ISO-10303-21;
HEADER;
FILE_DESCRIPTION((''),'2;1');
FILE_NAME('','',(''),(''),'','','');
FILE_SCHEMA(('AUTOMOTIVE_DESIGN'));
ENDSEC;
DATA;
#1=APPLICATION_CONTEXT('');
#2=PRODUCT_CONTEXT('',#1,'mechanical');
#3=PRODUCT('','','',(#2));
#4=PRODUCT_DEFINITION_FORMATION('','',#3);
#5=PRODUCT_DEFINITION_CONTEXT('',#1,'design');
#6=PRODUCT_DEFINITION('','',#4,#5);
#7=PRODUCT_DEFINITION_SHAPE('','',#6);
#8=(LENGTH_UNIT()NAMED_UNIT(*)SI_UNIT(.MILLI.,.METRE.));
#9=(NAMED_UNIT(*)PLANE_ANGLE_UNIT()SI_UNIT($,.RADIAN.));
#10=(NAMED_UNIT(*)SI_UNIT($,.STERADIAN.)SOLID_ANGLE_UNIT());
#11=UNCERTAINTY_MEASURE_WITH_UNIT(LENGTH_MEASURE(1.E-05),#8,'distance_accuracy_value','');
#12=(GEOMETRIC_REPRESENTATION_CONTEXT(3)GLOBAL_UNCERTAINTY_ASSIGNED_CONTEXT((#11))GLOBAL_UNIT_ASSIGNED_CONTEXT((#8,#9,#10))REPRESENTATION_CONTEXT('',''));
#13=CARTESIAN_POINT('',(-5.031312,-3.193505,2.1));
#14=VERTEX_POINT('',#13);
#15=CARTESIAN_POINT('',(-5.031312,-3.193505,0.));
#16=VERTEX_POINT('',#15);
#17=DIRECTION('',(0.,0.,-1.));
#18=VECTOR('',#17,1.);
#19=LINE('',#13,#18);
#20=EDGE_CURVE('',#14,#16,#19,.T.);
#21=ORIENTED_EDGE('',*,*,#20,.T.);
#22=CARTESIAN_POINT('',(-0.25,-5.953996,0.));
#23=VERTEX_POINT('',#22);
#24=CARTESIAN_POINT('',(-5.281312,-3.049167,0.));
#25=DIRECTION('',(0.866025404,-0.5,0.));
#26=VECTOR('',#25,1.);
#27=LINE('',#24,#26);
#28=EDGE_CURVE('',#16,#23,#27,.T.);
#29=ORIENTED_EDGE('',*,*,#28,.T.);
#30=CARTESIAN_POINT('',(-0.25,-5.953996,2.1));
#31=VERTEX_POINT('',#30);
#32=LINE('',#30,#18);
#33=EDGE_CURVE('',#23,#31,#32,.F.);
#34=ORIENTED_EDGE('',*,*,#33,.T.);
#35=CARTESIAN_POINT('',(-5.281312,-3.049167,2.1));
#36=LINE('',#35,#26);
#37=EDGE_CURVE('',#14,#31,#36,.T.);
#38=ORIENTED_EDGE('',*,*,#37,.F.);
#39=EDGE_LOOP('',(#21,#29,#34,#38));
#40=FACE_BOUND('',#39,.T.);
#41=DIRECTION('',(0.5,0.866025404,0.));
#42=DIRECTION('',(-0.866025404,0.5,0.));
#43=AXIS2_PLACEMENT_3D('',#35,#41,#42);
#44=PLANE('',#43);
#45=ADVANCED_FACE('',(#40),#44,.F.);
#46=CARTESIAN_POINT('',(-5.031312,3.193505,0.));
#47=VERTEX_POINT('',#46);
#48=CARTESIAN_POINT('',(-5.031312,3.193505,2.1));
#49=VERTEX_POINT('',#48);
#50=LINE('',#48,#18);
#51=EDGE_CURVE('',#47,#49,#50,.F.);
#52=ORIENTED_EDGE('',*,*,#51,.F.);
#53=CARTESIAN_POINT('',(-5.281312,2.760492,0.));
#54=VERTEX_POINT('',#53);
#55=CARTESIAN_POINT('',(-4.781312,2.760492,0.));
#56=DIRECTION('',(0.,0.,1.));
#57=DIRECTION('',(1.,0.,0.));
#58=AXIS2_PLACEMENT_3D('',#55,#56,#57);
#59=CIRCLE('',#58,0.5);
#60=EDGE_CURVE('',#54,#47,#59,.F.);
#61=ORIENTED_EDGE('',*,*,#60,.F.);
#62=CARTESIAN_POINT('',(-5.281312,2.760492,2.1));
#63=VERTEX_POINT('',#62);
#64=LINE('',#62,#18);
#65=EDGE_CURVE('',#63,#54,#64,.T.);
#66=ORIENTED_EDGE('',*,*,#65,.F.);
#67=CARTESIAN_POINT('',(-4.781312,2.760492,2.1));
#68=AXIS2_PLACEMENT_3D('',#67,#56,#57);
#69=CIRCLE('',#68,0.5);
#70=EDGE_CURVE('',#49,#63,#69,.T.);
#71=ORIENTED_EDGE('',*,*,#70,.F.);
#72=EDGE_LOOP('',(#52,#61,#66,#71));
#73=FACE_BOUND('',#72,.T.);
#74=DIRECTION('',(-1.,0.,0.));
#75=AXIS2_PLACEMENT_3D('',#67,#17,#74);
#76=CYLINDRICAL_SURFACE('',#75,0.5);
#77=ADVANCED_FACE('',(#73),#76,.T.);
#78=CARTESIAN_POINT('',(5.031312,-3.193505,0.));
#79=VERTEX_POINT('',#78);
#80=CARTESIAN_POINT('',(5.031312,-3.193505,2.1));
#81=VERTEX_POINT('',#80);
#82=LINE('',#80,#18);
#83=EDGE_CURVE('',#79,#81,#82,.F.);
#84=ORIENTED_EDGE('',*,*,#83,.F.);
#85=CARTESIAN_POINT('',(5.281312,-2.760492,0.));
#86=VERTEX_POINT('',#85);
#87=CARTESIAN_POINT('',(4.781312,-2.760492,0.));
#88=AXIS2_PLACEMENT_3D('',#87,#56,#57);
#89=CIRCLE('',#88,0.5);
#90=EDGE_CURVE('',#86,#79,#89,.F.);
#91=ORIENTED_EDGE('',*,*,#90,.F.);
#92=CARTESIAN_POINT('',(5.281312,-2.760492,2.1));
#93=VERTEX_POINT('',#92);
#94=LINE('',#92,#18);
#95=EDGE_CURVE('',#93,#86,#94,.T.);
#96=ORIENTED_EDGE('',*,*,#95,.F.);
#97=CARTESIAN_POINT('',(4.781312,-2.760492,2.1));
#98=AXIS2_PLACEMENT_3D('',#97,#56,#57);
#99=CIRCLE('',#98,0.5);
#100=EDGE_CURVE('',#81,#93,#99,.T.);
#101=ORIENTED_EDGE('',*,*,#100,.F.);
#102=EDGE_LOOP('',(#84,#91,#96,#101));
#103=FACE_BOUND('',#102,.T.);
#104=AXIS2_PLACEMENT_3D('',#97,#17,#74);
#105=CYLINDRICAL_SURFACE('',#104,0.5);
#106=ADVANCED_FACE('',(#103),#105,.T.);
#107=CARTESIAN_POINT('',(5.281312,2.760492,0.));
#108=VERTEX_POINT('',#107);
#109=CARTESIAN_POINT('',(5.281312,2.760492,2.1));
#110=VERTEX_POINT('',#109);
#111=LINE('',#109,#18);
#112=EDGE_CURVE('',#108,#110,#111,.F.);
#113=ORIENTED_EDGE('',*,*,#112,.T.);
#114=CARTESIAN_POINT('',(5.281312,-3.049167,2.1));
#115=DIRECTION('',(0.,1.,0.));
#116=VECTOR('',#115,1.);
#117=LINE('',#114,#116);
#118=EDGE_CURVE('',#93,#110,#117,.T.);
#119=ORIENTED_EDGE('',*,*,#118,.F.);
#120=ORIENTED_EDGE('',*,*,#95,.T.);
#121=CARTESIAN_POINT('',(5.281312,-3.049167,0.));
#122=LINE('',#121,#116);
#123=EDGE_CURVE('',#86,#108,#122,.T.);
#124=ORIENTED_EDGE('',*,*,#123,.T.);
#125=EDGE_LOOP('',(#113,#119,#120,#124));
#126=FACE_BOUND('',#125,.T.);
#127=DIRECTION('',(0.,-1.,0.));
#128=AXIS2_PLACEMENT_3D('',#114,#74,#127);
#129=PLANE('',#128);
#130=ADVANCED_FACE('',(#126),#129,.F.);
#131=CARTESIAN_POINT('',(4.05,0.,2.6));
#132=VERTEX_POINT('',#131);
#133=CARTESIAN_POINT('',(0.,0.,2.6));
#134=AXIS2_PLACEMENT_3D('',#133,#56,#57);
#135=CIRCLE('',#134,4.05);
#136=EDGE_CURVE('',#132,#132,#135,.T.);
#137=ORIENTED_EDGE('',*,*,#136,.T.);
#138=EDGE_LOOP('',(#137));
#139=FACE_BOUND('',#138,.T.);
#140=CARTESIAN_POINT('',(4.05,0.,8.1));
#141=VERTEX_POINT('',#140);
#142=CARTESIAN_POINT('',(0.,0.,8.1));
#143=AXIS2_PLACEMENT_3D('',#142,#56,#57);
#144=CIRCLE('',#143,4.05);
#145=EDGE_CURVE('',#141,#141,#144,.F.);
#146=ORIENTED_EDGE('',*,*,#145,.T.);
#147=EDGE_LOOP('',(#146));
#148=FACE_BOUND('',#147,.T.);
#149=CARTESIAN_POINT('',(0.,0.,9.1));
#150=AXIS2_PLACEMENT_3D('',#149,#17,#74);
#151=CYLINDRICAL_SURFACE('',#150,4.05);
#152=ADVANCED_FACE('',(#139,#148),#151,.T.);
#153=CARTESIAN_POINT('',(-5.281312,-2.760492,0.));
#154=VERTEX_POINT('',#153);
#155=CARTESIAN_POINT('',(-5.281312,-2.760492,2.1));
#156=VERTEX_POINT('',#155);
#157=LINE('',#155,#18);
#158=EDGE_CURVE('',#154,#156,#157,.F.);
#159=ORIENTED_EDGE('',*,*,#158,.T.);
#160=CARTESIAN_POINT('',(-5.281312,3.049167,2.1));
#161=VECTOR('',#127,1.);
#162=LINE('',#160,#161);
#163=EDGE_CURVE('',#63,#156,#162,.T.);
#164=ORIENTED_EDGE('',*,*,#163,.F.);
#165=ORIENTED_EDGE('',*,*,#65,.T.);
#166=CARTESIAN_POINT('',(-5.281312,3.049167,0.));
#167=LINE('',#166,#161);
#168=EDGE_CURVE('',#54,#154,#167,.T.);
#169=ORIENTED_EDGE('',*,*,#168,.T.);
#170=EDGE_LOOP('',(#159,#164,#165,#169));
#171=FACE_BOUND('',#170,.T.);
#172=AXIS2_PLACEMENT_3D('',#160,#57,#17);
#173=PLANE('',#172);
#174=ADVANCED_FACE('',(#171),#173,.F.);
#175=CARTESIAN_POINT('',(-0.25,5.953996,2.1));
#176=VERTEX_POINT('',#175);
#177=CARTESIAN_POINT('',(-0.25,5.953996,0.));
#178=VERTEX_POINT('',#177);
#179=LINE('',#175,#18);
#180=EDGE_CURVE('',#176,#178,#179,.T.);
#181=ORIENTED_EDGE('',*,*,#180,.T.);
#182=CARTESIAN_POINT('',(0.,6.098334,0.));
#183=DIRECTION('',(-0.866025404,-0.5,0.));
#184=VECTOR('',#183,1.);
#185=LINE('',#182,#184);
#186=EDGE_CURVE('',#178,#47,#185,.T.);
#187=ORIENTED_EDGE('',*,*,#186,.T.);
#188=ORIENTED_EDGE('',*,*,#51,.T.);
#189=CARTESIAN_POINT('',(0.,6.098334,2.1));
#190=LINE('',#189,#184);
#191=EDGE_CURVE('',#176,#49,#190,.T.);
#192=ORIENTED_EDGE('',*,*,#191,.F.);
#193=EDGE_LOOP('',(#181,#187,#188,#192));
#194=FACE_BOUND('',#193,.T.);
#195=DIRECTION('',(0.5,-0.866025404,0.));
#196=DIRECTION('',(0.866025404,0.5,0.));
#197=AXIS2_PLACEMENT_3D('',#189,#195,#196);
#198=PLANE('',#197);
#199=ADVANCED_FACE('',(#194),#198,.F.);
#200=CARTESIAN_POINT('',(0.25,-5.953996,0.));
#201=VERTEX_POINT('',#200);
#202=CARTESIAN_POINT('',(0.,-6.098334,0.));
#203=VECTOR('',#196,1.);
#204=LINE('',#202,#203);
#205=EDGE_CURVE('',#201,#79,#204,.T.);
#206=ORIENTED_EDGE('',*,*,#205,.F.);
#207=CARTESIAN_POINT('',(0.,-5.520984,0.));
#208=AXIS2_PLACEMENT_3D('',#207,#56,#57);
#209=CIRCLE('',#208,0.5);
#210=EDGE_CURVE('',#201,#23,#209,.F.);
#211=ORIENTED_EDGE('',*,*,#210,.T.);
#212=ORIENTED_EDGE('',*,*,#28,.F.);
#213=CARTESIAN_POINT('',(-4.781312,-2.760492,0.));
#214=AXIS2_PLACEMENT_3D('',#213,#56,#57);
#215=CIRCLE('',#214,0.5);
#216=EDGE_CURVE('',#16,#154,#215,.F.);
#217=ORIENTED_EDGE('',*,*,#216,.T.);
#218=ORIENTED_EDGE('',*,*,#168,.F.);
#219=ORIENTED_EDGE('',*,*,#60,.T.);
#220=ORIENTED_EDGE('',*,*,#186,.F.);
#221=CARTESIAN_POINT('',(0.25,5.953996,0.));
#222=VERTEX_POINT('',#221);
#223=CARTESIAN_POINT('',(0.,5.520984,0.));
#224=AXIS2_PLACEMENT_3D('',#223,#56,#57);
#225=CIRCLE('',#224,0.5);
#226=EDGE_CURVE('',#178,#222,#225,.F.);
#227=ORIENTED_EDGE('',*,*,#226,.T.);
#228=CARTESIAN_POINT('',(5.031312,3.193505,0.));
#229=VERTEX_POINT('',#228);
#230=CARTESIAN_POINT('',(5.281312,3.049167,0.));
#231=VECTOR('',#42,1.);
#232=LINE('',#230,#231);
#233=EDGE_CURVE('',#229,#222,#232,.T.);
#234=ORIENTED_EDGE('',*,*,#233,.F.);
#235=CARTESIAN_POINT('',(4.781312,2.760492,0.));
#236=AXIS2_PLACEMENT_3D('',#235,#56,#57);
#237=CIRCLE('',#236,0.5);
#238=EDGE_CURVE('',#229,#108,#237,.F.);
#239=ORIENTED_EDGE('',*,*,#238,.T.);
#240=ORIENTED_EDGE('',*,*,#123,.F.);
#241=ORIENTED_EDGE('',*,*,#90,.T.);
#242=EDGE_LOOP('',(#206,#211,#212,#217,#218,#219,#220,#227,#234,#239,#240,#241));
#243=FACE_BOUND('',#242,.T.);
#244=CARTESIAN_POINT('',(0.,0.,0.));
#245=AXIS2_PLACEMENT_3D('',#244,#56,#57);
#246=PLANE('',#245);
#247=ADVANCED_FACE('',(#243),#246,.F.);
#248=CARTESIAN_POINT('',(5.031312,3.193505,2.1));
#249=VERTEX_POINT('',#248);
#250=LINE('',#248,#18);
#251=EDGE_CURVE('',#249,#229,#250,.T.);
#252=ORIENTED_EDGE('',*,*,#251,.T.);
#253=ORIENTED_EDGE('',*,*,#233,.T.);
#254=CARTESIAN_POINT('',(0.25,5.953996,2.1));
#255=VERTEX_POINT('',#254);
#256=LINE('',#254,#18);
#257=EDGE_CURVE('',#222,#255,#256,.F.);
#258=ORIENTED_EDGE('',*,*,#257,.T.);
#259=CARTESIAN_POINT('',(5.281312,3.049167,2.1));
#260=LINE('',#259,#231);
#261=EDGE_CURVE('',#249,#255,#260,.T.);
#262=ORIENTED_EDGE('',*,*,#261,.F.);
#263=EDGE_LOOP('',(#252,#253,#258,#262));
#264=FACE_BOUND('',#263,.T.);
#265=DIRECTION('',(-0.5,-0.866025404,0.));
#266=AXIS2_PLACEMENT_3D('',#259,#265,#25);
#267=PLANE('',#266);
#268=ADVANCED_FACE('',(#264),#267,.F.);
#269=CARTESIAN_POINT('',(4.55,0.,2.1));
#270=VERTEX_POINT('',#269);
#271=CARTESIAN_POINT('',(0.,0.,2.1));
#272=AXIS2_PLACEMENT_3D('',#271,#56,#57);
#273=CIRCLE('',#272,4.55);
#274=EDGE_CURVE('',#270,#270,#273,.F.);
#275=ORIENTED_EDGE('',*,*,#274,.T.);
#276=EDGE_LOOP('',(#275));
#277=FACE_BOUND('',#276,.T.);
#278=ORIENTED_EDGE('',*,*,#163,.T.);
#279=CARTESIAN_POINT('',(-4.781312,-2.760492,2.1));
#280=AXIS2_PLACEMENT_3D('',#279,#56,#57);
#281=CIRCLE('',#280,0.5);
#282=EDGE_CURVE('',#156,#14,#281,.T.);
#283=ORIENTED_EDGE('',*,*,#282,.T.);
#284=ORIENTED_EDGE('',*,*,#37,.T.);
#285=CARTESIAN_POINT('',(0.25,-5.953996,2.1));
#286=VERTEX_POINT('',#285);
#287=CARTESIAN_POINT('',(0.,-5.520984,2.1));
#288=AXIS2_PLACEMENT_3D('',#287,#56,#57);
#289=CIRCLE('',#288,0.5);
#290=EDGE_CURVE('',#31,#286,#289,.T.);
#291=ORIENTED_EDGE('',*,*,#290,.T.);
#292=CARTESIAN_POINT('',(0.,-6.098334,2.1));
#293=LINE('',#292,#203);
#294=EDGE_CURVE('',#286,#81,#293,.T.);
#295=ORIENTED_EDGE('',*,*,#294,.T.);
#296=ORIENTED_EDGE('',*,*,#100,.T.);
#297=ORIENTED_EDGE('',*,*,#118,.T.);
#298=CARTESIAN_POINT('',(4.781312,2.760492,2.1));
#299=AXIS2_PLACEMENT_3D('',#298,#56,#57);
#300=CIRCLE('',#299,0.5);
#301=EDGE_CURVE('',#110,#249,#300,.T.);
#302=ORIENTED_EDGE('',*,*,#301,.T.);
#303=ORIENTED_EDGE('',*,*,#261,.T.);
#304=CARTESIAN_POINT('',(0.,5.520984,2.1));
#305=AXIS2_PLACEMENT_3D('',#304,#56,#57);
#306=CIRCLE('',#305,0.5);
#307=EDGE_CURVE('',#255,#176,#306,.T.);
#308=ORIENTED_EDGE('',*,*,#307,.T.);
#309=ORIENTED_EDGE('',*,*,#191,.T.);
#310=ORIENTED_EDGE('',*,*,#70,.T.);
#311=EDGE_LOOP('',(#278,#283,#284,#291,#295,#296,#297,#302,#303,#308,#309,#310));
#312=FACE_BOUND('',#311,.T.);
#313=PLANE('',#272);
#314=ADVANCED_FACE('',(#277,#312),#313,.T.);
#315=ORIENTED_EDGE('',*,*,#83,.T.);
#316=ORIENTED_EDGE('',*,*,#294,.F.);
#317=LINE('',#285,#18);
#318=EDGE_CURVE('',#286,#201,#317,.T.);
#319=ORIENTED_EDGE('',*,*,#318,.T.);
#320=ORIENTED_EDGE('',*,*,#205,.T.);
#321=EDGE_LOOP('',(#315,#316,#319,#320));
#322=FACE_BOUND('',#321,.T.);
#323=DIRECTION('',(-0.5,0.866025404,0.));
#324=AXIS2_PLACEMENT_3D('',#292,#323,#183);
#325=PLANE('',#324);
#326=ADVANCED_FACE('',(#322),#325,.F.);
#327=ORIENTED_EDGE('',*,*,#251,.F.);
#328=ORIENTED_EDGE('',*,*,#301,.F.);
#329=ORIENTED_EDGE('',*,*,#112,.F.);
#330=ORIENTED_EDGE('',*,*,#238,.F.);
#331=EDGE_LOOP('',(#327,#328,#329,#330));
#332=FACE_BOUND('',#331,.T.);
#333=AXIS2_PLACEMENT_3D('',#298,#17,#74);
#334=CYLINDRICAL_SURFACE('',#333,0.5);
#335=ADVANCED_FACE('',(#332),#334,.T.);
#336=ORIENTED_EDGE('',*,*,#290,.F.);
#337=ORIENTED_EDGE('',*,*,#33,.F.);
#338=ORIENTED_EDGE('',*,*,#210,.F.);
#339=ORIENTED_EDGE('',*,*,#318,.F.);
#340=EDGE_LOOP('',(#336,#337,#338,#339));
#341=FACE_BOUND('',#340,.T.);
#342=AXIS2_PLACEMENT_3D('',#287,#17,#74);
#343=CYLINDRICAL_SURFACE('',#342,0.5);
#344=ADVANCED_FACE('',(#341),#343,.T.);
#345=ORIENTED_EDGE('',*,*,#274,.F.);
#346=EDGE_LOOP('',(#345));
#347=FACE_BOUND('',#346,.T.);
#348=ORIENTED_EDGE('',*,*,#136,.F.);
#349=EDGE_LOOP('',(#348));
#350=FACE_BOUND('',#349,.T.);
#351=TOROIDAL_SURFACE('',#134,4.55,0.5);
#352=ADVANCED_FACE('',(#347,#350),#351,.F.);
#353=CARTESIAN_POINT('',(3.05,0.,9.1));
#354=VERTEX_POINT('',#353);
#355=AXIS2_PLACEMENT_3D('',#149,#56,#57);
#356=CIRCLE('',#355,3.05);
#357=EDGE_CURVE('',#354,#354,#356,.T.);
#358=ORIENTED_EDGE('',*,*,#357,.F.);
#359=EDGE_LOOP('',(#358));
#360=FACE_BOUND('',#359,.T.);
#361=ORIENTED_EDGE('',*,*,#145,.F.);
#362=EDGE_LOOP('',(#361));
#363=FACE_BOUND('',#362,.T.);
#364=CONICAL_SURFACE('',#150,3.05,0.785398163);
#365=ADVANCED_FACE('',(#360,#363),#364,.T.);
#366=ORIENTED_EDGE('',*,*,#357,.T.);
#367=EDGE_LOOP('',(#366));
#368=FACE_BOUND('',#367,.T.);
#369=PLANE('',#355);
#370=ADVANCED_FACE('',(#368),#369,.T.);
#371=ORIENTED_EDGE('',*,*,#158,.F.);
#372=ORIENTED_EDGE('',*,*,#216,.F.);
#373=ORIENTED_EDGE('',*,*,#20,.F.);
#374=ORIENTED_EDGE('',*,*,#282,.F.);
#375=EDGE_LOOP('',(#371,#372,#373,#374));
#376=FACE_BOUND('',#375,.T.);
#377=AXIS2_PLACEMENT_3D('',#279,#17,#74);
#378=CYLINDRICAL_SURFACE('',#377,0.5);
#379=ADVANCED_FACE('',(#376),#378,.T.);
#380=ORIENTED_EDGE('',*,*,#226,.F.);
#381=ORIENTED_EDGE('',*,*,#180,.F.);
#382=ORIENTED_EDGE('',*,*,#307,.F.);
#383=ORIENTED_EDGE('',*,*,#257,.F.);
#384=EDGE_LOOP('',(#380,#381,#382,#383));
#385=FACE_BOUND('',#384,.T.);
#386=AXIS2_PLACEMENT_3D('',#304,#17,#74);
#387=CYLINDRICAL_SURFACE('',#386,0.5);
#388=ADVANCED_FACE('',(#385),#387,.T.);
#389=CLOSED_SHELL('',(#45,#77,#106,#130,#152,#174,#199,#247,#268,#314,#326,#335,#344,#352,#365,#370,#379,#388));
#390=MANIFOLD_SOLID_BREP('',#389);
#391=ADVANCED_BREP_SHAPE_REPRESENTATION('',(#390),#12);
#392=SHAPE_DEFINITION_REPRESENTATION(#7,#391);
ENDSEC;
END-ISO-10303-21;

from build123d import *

# Parameters (mm, degrees)
BOSS_EXTRUDE1_DEPTH = 2.1
SKETCH2_R           = 4.05
BOSS_EXTRUDE2_DEPTH = 7
FILLET1_R           = 0.5
CHAMFER1_SIZE       = 1


with BuildPart() as part:
    # Sketch1 → Boss-Extrude1 (new body)
    with BuildSketch(Plane.XY):
        Polygon((5.281312122, 3.049166975), (0, 6.09833395), (-5.281312122, 3.049166975), (-5.281312122, -3.049166975), (0, -6.09833395), (5.281312122, -3.049166975), align=None)
    extrude(amount=BOSS_EXTRUDE1_DEPTH)

    # Sketch2 → Boss-Extrude2 (add)
    with BuildSketch(Plane.XY.offset(2.1)):
        Circle(SKETCH2_R)
    extrude(amount=BOSS_EXTRUDE2_DEPTH)

    # Fillet1
    fillet1_edges = [part.edges().sort_by_distance(p)[0] for p in [
        (5.281312122, -3.049166975, 1.05),
        (0, -6.09833395, 1.05),
        (-5.281312122, -3.049166975, 1.05),
        (-5.281312122, 3.049166975, 1.05),
        (0, 6.09833395, 1.05),
        (5.281312122, 3.049166975, 1.05),
        (-4.05, 0, 2.1),
    ]]
    fillet(fillet1_edges, radius=FILLET1_R)

    # Chamfer1
    chamfer1_edges = [part.edges().sort_by_distance(p)[0] for p in [
        (-4.05, 0, 9.1),
    ]]
    chamfer(chamfer1_edges, length=CHAMFER1_SIZE)


solid = part.part
